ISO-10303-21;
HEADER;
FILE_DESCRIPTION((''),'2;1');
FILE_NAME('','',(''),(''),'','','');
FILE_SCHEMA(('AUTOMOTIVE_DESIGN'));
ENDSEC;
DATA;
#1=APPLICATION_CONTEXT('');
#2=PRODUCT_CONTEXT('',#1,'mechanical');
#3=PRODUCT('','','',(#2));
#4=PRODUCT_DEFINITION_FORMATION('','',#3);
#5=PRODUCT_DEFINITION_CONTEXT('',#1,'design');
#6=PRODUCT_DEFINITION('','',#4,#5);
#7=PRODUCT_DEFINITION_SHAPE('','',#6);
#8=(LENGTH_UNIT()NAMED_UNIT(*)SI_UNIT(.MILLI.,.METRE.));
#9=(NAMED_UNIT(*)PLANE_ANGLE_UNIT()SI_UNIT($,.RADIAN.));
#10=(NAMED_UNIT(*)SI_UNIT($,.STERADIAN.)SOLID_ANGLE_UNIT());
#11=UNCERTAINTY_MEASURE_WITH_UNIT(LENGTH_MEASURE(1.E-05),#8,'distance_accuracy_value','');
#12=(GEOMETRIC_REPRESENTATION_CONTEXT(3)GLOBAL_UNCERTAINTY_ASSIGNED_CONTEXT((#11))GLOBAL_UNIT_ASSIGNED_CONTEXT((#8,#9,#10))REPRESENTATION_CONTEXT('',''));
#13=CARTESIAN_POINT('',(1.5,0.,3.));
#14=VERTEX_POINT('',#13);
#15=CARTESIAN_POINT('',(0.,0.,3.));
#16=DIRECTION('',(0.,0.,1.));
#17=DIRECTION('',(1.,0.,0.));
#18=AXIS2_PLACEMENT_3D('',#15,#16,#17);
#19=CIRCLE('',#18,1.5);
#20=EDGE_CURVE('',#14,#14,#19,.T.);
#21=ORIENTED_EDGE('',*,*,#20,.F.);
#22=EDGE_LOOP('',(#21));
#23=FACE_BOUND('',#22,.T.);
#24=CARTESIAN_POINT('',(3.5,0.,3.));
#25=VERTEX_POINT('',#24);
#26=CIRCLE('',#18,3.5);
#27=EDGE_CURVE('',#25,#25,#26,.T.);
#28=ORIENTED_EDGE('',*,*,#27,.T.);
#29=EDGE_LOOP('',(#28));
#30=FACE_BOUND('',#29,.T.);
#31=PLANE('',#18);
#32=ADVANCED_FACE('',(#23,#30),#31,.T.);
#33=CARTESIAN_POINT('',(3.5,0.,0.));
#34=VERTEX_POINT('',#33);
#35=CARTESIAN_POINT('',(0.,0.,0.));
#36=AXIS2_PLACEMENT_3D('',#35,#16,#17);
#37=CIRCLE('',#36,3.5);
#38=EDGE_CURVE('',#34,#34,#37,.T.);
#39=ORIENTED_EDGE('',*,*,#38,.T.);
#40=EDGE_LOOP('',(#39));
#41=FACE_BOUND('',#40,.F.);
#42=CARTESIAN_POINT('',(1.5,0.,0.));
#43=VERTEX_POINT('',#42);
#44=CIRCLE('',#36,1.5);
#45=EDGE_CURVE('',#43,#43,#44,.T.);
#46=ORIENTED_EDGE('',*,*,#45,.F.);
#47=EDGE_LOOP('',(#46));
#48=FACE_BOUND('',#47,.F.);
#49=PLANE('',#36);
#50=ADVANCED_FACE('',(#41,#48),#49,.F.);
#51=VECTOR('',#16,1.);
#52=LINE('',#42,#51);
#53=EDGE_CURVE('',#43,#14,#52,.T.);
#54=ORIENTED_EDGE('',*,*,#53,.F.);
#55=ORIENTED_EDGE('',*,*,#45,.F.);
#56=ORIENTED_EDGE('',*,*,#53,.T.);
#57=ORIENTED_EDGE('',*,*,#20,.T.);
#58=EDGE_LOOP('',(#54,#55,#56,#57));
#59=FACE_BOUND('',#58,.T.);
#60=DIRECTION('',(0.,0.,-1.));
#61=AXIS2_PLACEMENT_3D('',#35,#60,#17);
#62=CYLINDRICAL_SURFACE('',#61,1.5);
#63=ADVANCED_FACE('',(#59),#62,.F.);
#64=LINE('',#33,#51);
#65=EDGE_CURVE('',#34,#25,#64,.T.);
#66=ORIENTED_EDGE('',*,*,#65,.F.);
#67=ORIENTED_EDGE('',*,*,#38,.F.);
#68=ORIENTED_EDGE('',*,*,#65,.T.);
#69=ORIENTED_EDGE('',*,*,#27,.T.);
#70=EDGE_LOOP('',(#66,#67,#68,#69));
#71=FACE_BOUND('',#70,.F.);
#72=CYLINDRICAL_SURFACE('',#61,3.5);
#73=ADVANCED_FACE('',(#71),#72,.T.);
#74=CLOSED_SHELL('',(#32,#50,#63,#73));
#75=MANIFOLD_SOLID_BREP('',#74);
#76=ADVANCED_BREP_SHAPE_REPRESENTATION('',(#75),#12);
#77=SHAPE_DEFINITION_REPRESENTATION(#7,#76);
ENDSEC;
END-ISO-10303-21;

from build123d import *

# Parameters (mm, degrees)
ESQUISSE1_R        = 3.5
ESQUISSE1_R_2      = 1.5
BOSS_EXTRU_1_DEPTH = 3


with BuildPart() as part:
    # Esquisse1 → Boss.-Extru.1 (new body)
    with BuildSketch(Plane.XY):
        Circle(ESQUISSE1_R)
        Circle(ESQUISSE1_R_2, mode=Mode.SUBTRACT)
    extrude(amount=BOSS_EXTRU_1_DEPTH)


solid = part.part
